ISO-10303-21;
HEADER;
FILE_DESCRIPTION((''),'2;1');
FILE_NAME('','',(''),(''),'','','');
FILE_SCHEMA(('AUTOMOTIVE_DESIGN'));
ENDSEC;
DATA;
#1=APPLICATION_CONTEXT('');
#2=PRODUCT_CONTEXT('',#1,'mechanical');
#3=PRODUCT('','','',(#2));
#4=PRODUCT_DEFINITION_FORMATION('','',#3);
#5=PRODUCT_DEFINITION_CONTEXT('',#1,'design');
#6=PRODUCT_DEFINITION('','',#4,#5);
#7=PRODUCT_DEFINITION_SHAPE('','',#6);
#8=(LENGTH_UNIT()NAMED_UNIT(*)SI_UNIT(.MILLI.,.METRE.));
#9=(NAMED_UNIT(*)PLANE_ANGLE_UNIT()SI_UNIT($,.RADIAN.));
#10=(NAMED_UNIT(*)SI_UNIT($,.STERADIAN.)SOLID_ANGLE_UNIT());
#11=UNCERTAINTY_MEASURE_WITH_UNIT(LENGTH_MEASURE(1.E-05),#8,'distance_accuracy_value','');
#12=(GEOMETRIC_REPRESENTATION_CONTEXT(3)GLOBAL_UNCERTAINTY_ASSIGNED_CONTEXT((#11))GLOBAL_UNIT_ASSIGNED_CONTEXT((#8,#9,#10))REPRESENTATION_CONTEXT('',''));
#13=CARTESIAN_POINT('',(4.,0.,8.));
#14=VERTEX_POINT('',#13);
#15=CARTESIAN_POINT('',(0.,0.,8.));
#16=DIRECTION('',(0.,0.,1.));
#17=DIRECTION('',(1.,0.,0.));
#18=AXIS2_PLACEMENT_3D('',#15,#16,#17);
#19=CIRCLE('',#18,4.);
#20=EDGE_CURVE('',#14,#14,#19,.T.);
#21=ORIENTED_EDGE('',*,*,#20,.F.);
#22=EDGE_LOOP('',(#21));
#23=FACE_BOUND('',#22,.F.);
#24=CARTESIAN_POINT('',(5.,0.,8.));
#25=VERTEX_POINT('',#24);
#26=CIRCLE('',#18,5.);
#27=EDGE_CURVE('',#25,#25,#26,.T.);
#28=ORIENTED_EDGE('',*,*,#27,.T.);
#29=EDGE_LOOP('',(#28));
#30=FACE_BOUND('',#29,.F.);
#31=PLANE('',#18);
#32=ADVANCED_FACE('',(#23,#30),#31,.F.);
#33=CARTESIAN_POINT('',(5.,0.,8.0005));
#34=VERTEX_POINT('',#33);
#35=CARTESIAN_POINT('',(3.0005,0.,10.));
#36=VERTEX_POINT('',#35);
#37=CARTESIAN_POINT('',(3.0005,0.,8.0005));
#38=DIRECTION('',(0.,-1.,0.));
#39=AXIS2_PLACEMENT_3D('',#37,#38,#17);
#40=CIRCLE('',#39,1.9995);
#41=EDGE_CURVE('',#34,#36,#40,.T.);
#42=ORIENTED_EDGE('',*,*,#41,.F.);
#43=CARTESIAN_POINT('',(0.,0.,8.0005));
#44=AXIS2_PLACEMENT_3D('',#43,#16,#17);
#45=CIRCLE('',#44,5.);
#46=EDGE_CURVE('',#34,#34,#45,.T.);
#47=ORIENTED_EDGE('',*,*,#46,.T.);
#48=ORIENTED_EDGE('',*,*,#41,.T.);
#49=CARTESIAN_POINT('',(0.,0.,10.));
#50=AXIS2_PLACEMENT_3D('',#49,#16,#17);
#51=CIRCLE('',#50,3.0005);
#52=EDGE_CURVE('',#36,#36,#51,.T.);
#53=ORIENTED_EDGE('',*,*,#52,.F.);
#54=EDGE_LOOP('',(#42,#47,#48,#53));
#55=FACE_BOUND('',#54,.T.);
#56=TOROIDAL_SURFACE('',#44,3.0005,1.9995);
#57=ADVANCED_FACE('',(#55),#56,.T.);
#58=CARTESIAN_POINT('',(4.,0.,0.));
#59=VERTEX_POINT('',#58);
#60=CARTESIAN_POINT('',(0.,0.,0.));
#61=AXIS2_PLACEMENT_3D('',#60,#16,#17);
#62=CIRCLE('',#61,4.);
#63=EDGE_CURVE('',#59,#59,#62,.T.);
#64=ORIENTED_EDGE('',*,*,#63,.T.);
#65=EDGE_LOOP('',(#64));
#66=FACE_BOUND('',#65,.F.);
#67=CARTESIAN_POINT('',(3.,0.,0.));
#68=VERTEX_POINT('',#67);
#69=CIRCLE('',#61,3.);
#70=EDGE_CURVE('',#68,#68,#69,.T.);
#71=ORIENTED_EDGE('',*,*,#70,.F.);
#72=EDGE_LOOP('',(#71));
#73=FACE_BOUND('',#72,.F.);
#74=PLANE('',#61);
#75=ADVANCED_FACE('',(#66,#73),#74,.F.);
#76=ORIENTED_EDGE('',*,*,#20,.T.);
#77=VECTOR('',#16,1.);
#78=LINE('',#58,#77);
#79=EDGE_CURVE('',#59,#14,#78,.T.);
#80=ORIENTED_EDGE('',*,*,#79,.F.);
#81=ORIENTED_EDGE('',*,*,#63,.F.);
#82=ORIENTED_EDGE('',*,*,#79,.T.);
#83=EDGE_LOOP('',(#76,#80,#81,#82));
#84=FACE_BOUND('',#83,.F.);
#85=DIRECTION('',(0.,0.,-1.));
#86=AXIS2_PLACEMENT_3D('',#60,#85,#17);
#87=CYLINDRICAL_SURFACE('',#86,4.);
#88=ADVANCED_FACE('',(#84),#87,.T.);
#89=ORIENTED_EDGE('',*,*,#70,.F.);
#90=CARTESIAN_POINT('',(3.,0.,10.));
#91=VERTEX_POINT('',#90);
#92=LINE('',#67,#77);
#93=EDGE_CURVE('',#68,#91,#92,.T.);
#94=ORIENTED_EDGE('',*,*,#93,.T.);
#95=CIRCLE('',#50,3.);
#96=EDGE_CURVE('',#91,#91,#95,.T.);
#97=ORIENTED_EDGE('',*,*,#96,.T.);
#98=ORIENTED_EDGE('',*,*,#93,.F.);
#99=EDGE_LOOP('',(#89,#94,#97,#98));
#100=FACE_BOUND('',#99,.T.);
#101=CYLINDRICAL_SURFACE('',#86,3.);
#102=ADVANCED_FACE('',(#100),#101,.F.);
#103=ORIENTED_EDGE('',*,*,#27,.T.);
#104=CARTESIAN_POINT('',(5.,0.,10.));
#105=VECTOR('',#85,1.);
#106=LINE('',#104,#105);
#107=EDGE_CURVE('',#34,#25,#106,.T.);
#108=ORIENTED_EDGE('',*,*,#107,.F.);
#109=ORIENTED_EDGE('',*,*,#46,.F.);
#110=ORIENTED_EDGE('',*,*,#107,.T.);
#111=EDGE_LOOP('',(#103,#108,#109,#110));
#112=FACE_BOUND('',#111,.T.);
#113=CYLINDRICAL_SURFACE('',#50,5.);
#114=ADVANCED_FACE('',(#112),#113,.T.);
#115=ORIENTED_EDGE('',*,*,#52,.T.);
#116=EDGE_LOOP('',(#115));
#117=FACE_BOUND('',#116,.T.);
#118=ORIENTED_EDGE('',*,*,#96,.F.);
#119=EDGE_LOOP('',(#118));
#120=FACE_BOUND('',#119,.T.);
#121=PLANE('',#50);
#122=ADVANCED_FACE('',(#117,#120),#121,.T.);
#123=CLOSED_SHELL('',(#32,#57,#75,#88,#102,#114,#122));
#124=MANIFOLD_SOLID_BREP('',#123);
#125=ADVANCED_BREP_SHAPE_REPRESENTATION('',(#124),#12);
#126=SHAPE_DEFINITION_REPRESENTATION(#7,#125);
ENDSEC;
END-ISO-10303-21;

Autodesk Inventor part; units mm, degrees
ref_plane "YZ Plane" through (0, 0, 0) normal (1, 0, 0) x (0, 1, 0)
ref_plane "XZ Plane" through (0, 0, 0) normal (0, 1, 0) x (-1, 0, 0)
ref_plane "XY Plane" through (0, 0, 0) normal (0, 0, 1) x (1, 0, 0)
sketch "Эскиз1" plane through (0, 0, 0) normal (0, 0, 1) x (1, 0, 0)
  circle A0 centre (0, 0) radius 3
  circle A1 centre (0, 0) radius 4
  dimension "d0" = 6
  dimension "d1" = 8
extrude "Выдавливание1" add sketch "Эскиз1" along normal blind 10
sketch "Эскиз2" plane through (0, 0, 10) normal (0, 0, 1) x (1, 0, 0)
  circle A0 centre (0, 0) radius 5
  circle A1 centre (0, 0) radius 4 projected
  dimension "d4" = 10
extrude "Выдавливание2" add sketch "Эскиз2" against normal blind 2
fillet "Сопряжение1" radius 2 1 edges at (-5, 0, 10)
properties part number "hole_small" material "Латунь"
